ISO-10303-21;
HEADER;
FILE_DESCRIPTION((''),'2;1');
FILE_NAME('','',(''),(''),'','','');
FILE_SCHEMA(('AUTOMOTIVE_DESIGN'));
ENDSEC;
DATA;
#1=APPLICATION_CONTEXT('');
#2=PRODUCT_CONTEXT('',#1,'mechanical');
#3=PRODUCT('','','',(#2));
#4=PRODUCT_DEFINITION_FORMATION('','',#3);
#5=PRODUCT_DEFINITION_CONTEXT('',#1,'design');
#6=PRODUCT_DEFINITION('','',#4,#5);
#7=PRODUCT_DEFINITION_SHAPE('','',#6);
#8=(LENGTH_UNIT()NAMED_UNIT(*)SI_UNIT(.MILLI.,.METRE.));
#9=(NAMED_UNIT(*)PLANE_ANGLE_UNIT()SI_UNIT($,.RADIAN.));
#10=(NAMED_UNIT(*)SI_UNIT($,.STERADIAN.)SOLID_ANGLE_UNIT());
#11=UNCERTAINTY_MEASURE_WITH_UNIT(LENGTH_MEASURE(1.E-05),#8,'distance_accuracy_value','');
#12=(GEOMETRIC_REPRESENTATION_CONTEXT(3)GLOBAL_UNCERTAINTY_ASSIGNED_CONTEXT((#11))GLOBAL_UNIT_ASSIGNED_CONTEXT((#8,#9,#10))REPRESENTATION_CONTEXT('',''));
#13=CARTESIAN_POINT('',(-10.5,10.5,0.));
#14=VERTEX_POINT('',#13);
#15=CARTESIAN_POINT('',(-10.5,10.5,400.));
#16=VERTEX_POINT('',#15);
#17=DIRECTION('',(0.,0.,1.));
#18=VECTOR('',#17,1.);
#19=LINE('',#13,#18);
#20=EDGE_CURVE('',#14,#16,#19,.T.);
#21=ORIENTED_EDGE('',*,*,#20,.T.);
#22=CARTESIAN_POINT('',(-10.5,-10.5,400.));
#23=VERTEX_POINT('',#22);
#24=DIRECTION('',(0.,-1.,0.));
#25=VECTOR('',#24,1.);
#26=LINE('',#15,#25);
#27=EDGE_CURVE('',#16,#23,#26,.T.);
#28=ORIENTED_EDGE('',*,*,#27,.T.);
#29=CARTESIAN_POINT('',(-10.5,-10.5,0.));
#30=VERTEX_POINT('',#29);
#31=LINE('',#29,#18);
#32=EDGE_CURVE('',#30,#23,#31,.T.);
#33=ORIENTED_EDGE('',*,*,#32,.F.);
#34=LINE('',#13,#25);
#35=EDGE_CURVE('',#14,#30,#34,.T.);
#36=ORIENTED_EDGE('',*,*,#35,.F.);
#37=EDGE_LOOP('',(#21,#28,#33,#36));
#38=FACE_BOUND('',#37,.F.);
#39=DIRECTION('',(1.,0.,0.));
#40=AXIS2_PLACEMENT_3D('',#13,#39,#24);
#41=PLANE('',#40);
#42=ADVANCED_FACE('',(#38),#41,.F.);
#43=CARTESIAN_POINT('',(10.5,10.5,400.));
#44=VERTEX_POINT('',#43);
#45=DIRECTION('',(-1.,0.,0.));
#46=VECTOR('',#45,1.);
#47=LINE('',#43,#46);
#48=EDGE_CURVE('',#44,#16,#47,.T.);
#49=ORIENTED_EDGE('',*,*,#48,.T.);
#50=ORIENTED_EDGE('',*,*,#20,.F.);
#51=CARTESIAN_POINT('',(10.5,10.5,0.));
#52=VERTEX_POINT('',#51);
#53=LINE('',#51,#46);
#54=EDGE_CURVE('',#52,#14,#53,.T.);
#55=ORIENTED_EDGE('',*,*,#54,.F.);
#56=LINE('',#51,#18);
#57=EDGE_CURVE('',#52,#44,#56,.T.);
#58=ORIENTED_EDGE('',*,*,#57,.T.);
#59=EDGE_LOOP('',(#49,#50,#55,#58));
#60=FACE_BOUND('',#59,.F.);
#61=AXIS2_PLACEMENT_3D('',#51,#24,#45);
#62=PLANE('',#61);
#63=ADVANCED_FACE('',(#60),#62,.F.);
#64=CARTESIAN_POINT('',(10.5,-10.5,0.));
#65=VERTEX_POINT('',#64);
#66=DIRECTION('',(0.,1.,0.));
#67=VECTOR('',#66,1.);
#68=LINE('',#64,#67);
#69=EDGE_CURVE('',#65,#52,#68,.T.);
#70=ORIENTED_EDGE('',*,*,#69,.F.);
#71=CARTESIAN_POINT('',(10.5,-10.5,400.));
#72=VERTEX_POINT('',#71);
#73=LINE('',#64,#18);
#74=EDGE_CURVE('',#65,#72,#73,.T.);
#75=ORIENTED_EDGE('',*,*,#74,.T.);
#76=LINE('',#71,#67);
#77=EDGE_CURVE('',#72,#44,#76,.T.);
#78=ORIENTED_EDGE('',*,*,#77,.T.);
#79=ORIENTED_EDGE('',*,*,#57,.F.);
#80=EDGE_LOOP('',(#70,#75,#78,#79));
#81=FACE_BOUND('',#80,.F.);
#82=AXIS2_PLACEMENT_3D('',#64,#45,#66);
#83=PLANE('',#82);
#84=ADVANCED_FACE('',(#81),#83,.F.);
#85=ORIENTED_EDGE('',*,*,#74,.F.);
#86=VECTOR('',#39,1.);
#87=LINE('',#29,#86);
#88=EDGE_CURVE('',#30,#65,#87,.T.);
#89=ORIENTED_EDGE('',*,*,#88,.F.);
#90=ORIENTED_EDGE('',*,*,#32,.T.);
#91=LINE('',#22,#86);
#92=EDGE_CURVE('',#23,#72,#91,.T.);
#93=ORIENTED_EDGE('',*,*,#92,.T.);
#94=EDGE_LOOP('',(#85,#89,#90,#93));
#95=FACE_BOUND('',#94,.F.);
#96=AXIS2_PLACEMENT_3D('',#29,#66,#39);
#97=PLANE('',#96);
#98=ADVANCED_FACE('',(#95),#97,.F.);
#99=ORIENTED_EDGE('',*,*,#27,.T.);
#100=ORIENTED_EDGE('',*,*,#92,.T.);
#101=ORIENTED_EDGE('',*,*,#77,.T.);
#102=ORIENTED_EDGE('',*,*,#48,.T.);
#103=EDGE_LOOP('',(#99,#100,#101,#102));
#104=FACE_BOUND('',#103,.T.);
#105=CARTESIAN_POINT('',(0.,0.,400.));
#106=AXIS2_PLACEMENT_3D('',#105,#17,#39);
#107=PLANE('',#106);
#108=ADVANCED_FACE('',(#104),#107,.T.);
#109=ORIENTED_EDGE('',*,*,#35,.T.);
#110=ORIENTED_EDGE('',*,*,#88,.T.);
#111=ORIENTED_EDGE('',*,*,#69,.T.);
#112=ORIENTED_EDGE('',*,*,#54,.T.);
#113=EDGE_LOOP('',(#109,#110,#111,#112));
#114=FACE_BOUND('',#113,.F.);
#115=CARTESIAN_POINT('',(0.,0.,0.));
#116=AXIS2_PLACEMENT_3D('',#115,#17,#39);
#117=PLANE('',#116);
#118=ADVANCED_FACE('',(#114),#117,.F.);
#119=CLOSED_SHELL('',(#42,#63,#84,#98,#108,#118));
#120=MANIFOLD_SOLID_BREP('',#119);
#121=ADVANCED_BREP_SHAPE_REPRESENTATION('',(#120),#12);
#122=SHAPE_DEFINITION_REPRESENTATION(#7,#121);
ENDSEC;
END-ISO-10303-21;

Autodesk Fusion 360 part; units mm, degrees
sketch "Sketch1" plane through (0, 0, 0) normal (0, 0, 1) x (1, 0, 0)
  line L0 (-10.5, -10.5) -> (10.5, -10.5)
  line L1 (10.5, -10.5) -> (10.5, 10.5)
  line L2 (10.5, 10.5) -> (-10.5, 10.5)
  line L3 (-10.5, 10.5) -> (-10.5, -10.5)
extrude "Extrude1" add sketch "Sketch1" along normal blind 400
